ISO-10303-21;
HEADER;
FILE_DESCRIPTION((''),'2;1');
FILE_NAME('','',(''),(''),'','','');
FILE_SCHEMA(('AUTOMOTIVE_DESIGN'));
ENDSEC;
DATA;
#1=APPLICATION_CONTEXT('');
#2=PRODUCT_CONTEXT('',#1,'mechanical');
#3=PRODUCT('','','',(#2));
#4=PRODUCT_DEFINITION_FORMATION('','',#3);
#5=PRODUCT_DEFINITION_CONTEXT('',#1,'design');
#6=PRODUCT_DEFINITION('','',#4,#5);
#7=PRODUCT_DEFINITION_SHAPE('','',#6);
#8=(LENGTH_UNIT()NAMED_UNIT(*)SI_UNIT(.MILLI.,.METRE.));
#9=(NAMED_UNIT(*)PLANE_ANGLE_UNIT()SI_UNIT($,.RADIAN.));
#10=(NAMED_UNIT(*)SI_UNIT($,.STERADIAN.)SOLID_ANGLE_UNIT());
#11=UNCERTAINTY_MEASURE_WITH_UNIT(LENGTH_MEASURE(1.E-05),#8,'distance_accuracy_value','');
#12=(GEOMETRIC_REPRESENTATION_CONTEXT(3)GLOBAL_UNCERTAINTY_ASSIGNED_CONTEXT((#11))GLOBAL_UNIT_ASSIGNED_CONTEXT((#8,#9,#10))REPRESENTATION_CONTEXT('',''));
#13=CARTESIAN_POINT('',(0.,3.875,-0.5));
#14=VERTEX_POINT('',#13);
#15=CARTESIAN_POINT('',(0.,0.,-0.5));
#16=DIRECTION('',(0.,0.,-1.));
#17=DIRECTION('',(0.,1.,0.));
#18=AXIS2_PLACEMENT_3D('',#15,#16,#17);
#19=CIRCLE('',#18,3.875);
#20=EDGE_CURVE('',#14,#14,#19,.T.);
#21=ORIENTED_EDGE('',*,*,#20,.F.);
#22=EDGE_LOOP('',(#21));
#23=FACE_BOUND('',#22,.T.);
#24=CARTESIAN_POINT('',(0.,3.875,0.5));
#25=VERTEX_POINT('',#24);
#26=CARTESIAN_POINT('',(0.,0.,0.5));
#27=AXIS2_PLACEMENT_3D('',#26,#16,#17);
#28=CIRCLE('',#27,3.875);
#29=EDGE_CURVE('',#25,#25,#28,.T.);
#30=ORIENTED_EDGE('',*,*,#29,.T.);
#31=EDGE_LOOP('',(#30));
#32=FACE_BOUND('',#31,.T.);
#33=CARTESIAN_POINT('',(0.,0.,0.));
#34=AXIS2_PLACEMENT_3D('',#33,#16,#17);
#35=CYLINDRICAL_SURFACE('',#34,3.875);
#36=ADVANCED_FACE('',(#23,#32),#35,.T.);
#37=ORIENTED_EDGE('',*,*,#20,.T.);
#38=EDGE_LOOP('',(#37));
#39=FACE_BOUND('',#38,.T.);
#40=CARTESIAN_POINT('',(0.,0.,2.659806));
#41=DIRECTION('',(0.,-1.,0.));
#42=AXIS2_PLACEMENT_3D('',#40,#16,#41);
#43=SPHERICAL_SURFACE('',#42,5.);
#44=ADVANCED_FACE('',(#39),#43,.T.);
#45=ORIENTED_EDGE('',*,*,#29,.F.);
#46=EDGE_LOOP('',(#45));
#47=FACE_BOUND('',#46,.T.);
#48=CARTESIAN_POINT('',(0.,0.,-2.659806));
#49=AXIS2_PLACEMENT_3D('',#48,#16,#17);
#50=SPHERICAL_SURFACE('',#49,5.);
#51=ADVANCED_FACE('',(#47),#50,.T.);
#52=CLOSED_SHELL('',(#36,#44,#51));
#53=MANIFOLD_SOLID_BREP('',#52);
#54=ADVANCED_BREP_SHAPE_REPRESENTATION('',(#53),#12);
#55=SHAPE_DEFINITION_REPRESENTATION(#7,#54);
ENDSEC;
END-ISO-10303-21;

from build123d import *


with BuildPart() as part:
    # Sketch3 → Revolve1 (revolve)
    with BuildSketch(Plane(origin=(0, 0, 0), x_dir=(0, 0, -1), z_dir=(1, 0, 0))):
        with BuildLine():
            Line((0, 3.875), (0, 0))
            Line((0, 0), (2.340193835, 0))
            ThreePointArc((2.340193835, 0), (1.856776106, 2.144874026), (0.5, 3.875))
            Line((0.5, 3.875), (0, 3.875))
        make_face()
        with BuildLine():
            ThreePointArc((-0.5, 3.875), (-1.856776106, 2.144874026), (-2.340193835, 0))
            Line((-2.340193835, 0), (0, 0))
            Line((0, 0), (0, 3.875))
            Line((0, 3.875), (-0.5, 3.875))
        make_face()
    revolve(axis=Axis((0, 0, 0), (0, 0, 1)))


solid = part.part
